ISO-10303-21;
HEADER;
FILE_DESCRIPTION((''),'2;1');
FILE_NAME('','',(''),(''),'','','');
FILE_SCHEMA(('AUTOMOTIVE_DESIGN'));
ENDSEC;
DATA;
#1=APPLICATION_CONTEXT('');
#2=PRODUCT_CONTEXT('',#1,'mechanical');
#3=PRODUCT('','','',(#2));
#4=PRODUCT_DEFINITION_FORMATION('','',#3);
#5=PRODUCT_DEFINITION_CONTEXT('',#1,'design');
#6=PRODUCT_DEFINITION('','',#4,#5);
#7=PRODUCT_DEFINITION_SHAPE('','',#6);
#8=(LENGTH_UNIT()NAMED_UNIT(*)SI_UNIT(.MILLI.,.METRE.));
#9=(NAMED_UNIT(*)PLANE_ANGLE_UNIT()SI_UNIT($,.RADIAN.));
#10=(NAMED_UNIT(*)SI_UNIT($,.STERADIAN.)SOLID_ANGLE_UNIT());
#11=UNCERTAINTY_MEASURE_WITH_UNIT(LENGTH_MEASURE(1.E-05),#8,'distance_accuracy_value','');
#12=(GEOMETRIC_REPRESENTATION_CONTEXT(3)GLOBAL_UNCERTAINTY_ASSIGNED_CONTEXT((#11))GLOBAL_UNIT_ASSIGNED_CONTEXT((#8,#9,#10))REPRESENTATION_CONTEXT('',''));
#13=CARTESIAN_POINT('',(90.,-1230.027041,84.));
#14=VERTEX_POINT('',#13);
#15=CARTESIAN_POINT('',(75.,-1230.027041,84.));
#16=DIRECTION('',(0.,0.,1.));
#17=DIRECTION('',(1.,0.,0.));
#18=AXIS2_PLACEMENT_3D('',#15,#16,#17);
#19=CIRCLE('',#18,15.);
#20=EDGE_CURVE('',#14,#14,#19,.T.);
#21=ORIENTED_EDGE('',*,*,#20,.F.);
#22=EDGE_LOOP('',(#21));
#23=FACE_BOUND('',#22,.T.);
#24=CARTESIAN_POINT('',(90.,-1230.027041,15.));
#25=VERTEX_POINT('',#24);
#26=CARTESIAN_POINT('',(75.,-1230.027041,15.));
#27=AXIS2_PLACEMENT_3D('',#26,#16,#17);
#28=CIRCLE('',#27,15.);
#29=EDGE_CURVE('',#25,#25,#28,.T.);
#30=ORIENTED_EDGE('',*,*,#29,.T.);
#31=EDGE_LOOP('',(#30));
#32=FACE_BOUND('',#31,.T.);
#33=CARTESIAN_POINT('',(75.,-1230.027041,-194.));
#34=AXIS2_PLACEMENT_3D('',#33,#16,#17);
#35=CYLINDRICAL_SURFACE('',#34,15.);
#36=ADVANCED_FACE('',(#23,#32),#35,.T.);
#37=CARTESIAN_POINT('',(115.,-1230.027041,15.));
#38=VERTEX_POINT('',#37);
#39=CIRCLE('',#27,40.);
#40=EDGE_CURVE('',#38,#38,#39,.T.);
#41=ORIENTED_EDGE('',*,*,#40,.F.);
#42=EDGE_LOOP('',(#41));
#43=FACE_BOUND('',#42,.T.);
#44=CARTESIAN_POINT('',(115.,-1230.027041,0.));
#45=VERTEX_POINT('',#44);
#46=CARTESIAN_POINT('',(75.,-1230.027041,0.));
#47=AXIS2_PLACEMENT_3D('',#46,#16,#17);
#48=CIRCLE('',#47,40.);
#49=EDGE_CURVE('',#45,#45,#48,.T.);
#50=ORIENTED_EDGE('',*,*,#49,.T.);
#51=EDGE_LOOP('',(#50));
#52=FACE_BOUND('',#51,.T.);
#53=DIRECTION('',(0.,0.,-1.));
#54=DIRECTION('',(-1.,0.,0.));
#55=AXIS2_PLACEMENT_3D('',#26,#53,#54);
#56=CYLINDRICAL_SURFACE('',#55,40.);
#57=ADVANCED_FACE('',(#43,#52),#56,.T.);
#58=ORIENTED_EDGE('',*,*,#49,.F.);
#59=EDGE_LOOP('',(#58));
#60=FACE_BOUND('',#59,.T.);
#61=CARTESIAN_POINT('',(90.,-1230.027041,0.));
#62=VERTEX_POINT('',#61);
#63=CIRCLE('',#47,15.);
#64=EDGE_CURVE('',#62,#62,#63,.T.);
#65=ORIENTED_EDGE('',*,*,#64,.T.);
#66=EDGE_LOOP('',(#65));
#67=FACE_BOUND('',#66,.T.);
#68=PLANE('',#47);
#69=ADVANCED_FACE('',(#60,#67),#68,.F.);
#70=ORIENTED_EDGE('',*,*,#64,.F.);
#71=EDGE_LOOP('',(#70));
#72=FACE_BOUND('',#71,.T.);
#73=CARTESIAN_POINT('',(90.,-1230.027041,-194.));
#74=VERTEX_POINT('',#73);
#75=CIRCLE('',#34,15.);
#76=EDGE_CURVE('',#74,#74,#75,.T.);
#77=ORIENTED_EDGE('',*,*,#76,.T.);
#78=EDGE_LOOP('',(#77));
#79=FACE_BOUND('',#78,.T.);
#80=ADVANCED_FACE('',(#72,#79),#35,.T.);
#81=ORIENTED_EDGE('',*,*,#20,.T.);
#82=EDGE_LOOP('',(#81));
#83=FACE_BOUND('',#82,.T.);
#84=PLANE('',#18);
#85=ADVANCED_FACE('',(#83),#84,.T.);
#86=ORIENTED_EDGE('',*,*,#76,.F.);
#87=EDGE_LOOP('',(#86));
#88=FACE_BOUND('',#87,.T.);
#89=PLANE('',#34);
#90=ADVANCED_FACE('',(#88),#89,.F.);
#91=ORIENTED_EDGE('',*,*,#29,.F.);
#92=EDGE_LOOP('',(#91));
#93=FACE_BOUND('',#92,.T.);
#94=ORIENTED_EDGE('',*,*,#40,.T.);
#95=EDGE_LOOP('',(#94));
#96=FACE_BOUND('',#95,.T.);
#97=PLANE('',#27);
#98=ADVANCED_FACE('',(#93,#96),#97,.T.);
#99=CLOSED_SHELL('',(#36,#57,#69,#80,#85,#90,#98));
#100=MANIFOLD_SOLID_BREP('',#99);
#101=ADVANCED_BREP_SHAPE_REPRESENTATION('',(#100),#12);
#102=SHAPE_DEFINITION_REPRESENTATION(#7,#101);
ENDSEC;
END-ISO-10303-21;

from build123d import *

# Parameters (mm, degrees)
SKETCH1_R                = 40
BOSS_EXTRUDE1_DEPTH      = 15
BOSS_EXTRUDE2_DEPTH      = 69
BOSS_EXTRUDE2_DEPTH_BACK = 209
SKETCH2_R                = 15


with BuildPart() as part:
    # Sketch1 → Boss-Extrude1 (new body)
    with BuildSketch(Plane.XY):
        with Locations((75, -1230.027041119)):
            Circle(SKETCH1_R)
    extrude(amount=BOSS_EXTRUDE1_DEPTH)

    # Sketch2 → Boss-Extrude2 (add, two sides: drawn at the far end of the back side and taken through both)
    with BuildSketch(Plane.XY.offset(15).offset(-BOSS_EXTRUDE2_DEPTH_BACK)):
        with Locations((75, -1230.027041119)):
            Circle(SKETCH2_R)
    extrude(amount=BOSS_EXTRUDE2_DEPTH + BOSS_EXTRUDE2_DEPTH_BACK)


solid = part.part
